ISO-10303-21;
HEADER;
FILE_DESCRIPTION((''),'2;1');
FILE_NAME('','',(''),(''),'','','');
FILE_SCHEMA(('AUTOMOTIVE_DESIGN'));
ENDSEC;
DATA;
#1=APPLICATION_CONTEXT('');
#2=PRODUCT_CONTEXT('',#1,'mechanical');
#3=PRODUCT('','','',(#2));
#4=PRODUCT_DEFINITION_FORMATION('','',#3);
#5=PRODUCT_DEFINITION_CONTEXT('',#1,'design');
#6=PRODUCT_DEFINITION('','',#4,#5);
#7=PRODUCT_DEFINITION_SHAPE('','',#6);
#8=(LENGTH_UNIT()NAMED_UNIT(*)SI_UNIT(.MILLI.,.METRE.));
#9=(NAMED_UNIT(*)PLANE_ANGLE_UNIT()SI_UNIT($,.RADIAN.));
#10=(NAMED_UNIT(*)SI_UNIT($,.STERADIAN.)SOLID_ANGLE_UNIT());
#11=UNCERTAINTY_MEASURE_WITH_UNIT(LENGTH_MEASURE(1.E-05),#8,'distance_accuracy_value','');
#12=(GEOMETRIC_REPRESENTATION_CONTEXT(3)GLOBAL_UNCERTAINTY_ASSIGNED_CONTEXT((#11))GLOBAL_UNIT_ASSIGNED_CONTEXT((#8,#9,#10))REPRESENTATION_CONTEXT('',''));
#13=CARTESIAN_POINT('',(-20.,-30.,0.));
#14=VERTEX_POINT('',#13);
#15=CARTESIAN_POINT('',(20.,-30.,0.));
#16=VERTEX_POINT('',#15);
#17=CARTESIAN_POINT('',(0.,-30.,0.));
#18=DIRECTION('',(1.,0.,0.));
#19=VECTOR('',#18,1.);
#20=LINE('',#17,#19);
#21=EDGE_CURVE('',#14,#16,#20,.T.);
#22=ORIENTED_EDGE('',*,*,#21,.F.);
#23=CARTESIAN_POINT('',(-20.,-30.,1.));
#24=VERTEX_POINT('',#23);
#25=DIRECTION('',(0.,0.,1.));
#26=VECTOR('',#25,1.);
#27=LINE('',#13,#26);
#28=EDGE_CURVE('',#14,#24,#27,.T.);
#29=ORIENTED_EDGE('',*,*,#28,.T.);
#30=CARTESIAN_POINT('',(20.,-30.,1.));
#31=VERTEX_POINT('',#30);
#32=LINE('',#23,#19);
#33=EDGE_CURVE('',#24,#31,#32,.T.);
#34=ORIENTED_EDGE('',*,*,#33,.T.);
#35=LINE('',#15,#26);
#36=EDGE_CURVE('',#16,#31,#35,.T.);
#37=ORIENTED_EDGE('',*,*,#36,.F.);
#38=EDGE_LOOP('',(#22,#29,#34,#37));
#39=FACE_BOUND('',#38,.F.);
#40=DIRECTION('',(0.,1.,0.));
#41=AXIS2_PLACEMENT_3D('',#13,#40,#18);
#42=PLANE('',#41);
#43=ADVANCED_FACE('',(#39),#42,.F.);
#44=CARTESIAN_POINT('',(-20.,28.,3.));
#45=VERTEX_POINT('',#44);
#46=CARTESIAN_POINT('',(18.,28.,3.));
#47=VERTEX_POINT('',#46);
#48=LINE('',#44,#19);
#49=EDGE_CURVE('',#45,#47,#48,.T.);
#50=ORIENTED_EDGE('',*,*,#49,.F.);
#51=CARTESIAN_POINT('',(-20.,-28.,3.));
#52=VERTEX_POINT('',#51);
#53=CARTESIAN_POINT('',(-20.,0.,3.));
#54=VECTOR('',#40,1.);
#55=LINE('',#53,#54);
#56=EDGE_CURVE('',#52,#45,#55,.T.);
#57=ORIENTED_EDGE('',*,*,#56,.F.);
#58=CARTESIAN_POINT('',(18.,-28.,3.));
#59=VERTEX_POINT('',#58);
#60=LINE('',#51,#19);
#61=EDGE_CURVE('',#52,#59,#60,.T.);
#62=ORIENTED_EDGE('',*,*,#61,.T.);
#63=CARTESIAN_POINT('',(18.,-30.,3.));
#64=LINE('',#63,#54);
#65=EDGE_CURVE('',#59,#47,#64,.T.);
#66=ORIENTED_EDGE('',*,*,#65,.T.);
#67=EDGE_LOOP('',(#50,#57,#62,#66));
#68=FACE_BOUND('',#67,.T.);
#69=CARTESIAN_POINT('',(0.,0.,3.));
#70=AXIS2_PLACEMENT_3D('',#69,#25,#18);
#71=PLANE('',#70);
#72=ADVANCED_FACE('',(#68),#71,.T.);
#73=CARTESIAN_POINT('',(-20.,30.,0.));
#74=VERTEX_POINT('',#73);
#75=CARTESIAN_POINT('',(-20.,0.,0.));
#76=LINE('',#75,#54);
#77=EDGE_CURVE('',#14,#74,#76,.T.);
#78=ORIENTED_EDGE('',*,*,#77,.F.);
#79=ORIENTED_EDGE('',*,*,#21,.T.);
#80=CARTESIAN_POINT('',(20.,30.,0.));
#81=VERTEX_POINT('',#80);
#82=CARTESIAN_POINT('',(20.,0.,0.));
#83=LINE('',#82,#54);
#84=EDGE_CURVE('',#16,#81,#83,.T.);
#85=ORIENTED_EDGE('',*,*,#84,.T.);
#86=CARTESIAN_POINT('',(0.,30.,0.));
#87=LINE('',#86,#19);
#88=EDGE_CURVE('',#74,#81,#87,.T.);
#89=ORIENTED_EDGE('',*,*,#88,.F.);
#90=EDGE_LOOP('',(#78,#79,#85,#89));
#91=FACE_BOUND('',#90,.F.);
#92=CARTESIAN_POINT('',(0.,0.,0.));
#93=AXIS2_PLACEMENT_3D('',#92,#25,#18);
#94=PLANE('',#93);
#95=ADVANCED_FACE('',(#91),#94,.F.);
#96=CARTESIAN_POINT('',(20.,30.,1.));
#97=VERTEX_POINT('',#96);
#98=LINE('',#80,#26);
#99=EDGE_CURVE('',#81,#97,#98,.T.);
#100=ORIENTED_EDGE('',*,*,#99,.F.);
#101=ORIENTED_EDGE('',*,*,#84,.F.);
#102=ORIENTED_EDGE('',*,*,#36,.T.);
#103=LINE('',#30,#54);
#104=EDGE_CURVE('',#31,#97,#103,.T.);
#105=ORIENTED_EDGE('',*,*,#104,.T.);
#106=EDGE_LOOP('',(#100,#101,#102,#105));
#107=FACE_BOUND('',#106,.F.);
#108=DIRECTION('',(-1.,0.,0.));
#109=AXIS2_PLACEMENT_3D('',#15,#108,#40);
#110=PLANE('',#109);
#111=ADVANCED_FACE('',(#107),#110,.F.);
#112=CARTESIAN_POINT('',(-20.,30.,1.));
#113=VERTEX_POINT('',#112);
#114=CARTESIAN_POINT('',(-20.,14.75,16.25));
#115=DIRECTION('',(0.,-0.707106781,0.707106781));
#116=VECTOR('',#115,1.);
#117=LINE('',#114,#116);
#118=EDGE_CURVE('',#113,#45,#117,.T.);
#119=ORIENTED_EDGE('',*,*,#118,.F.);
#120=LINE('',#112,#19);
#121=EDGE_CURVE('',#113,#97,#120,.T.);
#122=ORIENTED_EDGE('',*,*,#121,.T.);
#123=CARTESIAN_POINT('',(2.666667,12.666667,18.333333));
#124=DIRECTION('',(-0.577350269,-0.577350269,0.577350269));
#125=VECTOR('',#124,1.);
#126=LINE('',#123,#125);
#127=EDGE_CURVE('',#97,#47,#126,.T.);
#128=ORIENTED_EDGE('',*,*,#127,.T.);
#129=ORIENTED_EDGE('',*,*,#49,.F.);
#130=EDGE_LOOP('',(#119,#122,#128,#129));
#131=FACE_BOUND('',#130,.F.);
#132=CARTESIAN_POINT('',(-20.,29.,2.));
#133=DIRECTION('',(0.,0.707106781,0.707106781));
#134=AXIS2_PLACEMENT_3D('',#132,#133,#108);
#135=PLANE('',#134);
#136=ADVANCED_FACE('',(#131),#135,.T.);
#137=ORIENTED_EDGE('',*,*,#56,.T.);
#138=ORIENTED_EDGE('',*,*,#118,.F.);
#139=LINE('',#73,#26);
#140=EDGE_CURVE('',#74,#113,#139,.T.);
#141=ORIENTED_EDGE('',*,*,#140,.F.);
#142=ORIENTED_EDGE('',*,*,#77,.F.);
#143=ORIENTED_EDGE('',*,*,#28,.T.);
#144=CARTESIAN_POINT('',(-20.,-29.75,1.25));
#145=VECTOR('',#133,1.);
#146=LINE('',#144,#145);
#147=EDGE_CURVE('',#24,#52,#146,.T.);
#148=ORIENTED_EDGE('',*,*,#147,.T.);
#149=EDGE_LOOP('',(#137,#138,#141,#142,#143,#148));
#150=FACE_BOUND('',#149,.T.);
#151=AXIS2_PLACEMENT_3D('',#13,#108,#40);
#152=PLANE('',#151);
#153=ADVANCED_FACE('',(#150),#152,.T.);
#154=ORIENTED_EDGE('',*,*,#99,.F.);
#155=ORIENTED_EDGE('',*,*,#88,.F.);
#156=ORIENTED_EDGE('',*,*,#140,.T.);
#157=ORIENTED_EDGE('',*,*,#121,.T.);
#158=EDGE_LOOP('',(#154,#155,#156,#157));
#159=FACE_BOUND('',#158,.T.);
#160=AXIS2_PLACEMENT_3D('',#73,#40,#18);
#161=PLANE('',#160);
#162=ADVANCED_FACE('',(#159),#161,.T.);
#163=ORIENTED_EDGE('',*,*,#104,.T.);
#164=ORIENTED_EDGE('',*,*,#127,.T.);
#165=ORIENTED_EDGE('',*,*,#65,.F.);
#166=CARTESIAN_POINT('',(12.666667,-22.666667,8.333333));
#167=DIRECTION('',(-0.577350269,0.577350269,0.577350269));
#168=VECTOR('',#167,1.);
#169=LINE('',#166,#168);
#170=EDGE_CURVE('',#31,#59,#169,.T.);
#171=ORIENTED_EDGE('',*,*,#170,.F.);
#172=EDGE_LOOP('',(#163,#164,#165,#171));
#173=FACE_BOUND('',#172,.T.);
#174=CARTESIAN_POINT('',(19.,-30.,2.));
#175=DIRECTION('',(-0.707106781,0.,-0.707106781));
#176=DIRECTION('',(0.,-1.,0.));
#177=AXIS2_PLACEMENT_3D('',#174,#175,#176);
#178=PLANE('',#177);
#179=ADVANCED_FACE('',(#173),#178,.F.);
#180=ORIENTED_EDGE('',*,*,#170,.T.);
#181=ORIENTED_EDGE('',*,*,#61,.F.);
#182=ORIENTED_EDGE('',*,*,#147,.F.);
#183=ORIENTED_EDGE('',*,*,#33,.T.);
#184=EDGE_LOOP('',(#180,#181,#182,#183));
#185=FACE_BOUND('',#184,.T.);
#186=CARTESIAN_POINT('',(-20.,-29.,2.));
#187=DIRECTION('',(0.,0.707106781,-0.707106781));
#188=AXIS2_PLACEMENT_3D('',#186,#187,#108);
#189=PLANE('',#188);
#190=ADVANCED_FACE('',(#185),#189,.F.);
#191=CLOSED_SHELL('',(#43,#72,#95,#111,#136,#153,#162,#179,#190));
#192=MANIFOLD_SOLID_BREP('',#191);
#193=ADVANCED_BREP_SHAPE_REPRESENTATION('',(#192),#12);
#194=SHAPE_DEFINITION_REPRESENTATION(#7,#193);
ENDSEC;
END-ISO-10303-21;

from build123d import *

# Parameters (mm, degrees)
F0_W     = 40
F0_H     = 60
F1_DEPTH = 3
F2_SIZE  = 2


with BuildPart() as f1:
    # F0 (on Top) → F1 (new body)
    with BuildSketch(Plane.XY):
        Rectangle(F0_W, F0_H)
    extrude(amount=F1_DEPTH)

    # F2
    f2_edges = [f1.edges().sort_by_distance(p)[0] for p in [
        (0, -30, 3),
        (0, 30, 3),
        (20, 0, 3),
    ]]
    chamfer(f2_edges, length=F2_SIZE)


solid = f1.part
